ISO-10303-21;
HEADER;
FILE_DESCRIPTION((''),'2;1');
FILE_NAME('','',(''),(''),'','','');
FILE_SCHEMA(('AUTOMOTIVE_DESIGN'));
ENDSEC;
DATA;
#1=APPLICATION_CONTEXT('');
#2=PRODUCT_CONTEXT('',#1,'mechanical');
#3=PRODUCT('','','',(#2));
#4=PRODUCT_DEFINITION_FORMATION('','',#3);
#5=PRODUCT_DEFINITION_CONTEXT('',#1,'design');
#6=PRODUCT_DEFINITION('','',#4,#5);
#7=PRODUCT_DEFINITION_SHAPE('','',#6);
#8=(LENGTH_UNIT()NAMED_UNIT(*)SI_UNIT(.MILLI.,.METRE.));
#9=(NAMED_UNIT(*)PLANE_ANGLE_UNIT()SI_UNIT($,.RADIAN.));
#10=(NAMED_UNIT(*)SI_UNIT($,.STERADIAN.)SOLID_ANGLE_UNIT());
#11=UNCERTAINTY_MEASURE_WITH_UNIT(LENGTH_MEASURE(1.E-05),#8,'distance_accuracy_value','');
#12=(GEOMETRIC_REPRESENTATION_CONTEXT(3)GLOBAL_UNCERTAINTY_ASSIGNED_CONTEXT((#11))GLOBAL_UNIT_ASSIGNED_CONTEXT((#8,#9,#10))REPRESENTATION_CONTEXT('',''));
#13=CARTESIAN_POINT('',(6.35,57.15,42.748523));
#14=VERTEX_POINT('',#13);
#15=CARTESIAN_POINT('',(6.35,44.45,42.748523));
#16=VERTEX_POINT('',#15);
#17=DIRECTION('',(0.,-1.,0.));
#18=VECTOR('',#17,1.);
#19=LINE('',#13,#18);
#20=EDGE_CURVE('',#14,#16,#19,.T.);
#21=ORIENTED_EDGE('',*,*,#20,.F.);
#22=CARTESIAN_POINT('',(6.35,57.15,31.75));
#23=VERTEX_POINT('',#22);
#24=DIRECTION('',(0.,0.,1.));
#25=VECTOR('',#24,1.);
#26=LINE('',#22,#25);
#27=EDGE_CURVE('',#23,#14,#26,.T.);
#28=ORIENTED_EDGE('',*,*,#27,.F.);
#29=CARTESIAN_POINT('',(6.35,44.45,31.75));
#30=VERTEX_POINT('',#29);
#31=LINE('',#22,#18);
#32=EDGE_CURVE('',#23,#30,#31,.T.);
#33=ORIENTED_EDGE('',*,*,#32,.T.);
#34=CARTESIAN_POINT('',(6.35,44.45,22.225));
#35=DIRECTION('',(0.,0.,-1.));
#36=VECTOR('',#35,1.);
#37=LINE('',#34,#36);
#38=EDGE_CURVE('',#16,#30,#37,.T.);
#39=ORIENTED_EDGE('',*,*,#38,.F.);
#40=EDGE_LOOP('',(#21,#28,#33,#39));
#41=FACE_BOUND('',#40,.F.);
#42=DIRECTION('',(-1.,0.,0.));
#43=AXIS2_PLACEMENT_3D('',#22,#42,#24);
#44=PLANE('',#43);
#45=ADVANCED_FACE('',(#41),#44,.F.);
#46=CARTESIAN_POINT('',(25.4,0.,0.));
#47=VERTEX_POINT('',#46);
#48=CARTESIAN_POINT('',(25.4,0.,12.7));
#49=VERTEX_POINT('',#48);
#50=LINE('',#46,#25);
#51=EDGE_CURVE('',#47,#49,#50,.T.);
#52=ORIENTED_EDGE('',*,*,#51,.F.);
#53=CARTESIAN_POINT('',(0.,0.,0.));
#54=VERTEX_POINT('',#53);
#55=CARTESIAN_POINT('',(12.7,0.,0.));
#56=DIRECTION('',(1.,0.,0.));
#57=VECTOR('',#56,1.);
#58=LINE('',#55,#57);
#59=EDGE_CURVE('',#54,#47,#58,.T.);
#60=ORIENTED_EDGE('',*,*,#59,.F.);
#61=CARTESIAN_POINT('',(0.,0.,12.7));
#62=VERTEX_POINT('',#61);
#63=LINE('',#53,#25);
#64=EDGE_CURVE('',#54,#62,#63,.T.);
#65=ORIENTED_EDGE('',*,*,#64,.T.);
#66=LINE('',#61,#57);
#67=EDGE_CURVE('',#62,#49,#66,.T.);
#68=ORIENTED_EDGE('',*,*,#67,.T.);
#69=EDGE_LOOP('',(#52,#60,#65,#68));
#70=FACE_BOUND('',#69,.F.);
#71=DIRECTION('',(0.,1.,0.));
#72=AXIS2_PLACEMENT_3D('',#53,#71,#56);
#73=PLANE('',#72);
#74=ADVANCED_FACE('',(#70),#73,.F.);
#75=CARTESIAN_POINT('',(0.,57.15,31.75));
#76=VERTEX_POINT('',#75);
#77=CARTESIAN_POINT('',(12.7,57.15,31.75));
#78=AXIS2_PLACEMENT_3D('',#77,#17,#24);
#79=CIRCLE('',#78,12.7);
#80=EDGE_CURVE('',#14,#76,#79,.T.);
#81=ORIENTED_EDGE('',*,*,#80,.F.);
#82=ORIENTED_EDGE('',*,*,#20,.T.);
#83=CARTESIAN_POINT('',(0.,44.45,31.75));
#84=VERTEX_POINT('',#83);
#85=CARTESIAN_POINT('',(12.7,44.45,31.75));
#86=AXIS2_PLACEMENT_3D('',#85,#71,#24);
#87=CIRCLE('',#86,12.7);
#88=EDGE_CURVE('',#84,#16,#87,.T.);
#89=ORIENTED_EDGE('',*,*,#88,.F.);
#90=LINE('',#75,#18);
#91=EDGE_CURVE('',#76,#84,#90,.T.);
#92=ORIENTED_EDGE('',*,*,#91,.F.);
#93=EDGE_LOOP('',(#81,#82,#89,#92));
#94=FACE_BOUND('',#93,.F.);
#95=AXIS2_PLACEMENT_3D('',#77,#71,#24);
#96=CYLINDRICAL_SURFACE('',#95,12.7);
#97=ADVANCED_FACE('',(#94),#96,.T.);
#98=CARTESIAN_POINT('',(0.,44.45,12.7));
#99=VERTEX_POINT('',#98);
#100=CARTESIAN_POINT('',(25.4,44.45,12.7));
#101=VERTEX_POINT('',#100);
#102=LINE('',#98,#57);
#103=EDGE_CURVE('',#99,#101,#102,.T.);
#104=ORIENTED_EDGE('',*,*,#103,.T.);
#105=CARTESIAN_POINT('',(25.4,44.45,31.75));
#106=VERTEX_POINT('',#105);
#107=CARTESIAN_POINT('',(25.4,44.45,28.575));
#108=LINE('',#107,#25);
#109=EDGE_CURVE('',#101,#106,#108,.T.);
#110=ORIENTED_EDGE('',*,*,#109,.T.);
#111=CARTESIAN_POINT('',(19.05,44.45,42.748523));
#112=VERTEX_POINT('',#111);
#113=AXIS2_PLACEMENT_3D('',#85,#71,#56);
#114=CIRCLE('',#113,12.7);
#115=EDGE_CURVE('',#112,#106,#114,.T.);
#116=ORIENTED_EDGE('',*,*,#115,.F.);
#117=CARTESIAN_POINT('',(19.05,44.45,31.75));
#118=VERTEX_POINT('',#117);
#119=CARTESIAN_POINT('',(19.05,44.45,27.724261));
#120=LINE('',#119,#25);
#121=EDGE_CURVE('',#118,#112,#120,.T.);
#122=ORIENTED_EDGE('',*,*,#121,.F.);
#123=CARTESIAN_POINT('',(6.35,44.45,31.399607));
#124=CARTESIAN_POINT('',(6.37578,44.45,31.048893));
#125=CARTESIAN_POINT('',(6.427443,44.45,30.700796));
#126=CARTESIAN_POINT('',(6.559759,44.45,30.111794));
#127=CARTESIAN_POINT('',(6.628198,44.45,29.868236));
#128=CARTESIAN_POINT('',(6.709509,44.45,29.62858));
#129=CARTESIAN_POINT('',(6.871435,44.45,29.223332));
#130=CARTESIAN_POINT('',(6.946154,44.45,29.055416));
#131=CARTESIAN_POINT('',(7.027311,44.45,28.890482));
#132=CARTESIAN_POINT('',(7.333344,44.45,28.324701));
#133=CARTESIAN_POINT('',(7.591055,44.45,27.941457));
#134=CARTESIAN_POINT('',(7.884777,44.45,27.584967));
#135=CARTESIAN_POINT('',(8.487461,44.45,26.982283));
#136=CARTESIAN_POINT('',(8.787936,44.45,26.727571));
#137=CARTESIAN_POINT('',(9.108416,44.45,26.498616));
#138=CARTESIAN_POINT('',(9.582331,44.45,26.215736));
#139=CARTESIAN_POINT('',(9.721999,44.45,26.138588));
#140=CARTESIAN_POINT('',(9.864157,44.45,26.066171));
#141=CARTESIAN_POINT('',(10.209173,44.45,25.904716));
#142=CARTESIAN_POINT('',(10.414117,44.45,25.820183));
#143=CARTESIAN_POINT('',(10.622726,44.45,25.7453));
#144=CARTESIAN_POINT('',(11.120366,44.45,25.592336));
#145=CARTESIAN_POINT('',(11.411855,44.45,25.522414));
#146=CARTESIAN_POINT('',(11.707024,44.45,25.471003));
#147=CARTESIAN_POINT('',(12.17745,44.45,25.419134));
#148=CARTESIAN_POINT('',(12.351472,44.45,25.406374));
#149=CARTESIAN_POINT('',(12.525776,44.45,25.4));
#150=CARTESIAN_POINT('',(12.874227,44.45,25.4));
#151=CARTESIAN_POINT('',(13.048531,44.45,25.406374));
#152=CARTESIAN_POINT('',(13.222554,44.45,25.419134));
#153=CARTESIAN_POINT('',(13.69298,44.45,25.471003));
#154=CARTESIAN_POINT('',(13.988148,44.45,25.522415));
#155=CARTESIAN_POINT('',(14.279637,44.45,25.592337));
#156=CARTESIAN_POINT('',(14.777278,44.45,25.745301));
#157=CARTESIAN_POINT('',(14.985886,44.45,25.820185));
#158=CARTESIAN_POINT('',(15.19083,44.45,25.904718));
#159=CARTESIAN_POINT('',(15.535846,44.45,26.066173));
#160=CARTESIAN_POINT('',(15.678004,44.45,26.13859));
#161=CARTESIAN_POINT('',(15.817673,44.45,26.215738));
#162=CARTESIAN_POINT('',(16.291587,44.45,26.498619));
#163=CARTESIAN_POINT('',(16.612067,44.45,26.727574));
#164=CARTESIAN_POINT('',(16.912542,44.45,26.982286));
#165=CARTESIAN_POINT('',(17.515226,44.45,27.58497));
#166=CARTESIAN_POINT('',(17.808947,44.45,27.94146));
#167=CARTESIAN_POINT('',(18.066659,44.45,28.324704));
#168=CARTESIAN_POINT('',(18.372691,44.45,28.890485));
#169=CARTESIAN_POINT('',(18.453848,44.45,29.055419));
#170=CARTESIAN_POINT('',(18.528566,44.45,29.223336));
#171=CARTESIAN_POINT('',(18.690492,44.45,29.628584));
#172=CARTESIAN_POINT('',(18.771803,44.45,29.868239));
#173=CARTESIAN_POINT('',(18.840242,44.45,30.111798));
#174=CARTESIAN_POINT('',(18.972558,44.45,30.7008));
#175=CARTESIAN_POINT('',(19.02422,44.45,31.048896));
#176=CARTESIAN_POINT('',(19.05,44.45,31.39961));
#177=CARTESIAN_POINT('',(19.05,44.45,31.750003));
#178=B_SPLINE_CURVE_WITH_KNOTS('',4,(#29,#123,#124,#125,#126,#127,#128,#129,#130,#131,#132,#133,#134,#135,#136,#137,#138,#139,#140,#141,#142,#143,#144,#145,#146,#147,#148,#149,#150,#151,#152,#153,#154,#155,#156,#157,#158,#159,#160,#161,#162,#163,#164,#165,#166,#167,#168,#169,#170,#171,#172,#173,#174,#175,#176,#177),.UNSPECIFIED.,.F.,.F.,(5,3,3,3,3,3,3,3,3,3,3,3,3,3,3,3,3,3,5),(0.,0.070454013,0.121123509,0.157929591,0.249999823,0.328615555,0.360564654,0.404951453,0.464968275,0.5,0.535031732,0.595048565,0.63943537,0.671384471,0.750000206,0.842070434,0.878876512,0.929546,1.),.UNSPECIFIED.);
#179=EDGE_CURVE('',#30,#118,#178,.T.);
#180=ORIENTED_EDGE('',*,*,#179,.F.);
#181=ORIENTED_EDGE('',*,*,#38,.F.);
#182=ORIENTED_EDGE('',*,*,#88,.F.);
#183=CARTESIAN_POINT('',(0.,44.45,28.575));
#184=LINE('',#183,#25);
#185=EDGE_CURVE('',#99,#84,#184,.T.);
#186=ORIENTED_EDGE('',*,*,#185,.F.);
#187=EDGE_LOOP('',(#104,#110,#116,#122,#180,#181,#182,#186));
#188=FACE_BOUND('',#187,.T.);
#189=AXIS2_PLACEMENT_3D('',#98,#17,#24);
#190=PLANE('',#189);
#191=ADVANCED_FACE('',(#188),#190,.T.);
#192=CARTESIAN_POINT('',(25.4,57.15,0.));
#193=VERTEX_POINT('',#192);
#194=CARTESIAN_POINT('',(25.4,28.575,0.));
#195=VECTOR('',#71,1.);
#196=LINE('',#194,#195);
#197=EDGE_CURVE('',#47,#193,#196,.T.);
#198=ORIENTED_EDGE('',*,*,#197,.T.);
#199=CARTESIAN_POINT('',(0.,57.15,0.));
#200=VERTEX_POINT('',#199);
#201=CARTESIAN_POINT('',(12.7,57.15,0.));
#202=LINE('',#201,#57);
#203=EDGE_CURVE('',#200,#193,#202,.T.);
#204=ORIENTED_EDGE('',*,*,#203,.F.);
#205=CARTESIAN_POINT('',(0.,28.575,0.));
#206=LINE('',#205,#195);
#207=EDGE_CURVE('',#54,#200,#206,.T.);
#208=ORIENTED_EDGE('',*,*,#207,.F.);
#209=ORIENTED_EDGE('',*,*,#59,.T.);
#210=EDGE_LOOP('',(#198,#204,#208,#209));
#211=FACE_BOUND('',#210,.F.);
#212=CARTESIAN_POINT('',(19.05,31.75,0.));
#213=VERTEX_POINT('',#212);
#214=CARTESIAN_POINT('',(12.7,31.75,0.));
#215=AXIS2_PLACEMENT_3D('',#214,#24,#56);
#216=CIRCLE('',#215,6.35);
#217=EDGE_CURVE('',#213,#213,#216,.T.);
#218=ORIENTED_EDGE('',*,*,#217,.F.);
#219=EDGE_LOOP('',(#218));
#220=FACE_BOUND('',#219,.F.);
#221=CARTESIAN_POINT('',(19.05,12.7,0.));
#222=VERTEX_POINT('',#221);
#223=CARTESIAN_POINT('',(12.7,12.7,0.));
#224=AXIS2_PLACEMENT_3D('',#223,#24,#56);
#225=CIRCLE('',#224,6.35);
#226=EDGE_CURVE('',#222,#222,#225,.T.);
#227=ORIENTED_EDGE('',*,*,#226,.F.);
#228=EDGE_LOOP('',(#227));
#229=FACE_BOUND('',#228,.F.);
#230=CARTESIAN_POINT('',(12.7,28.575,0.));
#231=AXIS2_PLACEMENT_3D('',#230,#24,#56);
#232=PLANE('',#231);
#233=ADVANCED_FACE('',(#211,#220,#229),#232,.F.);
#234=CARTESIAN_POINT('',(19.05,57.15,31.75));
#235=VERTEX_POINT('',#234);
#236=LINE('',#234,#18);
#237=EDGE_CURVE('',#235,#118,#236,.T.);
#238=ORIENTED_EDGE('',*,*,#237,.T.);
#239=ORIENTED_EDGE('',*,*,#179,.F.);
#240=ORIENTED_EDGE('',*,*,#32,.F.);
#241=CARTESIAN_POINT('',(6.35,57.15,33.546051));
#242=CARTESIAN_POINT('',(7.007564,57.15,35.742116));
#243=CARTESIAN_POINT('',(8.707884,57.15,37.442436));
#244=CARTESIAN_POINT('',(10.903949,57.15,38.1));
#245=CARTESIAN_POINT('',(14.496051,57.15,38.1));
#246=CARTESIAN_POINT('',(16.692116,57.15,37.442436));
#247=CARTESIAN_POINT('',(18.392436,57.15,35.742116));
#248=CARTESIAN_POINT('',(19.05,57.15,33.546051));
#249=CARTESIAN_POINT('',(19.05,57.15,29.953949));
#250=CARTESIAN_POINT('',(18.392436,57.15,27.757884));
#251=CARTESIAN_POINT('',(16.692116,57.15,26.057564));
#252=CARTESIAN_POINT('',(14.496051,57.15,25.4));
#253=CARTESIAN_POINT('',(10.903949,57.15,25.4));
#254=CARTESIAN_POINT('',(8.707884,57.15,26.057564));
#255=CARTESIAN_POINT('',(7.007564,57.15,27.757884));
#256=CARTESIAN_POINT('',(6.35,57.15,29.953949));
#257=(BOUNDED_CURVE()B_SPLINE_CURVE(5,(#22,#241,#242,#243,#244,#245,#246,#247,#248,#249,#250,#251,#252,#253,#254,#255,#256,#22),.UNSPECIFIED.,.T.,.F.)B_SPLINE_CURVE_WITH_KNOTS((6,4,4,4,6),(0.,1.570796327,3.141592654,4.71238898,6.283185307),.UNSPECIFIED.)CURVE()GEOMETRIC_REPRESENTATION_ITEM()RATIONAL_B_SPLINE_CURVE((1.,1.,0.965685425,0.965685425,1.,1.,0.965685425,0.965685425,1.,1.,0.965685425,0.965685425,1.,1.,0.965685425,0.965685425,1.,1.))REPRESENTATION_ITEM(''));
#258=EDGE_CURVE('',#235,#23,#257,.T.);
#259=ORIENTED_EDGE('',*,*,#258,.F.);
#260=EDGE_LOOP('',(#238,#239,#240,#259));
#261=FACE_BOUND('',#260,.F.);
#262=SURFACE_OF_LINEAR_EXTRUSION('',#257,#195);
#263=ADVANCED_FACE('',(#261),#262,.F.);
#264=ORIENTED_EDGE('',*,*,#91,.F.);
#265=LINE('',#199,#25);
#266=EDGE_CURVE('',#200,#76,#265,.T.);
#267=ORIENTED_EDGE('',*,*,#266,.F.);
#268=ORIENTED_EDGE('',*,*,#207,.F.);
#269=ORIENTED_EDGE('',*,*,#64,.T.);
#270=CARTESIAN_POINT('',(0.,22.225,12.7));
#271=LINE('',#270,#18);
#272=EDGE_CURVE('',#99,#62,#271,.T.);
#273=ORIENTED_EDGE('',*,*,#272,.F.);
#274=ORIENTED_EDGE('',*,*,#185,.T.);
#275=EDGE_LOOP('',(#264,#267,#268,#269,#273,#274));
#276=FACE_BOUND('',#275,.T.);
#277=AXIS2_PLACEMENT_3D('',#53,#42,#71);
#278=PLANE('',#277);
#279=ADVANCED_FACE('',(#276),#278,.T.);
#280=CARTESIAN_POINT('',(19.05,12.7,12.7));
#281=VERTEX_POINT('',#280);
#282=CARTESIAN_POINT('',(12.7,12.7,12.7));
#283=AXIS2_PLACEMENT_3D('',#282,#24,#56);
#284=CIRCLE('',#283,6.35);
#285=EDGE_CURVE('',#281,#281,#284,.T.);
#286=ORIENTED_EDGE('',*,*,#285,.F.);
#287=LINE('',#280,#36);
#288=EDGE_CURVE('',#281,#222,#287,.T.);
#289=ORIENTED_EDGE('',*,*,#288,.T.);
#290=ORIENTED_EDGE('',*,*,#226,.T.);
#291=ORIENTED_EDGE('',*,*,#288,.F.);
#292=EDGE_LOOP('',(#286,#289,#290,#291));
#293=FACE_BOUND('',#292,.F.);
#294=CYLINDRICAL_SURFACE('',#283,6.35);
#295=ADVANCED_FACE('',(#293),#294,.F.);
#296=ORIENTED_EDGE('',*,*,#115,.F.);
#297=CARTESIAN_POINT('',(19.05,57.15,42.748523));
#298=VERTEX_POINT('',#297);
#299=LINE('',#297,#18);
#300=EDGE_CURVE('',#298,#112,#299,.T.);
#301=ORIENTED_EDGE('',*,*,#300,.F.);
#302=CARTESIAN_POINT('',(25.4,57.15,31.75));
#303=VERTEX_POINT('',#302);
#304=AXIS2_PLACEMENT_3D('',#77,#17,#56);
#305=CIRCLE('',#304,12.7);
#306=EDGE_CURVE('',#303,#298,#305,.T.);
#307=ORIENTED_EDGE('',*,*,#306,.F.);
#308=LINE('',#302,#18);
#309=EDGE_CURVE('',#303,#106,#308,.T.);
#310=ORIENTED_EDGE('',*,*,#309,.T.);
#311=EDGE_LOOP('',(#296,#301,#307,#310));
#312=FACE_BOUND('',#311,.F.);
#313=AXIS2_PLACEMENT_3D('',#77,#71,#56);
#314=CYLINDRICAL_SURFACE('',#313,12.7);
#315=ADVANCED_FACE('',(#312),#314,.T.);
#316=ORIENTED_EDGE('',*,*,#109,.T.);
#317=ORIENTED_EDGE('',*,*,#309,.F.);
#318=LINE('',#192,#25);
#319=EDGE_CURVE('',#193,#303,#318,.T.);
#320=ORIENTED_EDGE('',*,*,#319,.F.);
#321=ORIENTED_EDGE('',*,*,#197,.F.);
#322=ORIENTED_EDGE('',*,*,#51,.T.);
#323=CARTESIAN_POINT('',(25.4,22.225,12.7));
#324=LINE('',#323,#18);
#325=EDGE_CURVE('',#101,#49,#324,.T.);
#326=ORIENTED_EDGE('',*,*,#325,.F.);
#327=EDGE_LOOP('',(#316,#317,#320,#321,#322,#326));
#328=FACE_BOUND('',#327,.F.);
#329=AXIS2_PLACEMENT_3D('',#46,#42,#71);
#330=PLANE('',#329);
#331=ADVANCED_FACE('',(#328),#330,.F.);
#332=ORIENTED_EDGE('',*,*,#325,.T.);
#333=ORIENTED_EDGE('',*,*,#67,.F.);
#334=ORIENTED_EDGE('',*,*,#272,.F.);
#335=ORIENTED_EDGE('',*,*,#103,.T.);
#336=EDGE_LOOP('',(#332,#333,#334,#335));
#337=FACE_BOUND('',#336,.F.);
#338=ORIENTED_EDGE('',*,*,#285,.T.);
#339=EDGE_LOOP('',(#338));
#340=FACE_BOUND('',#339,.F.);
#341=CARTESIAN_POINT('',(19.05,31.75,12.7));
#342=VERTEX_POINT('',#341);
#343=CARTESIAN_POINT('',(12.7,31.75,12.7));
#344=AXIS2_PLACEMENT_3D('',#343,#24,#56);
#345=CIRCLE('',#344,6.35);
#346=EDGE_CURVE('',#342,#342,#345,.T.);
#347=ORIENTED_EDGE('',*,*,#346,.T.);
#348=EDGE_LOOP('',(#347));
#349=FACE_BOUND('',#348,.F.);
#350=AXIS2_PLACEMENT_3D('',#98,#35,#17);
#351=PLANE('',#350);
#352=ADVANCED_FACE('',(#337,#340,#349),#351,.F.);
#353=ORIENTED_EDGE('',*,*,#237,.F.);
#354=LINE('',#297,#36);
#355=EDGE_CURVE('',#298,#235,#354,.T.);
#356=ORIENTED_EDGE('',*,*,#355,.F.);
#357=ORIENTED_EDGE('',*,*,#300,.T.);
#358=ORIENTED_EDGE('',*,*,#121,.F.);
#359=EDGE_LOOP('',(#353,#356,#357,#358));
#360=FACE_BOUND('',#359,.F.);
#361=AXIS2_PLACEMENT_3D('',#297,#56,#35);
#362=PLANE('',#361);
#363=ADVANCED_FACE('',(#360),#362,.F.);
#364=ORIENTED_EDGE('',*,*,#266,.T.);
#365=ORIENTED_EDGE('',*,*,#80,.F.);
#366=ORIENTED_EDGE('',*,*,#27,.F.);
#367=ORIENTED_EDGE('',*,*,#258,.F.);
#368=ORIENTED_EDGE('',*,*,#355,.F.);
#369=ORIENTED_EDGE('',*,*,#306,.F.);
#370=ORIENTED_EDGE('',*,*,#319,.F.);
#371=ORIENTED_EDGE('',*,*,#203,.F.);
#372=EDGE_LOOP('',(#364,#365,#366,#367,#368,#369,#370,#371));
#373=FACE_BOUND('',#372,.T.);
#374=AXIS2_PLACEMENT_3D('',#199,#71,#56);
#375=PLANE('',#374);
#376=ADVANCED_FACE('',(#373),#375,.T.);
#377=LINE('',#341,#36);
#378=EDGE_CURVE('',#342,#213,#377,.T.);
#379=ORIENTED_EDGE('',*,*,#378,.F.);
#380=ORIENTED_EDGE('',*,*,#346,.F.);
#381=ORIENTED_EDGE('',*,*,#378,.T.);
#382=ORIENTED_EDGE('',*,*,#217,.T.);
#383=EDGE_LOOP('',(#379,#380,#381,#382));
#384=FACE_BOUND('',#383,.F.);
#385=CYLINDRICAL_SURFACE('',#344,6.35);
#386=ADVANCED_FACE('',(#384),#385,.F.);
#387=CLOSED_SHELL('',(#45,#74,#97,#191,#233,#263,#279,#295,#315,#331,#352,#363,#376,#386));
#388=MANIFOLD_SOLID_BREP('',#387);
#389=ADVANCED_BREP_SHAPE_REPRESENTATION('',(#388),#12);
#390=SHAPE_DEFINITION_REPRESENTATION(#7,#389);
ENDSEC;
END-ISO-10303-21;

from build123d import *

# Parameters (mm, degrees)
F0_W     = 25.4
F0_H     = 57.15
F1_DEPTH = 44.45
F2_W     = 44.45
F2_H     = 31.75
F3_DEPTH = 25.4
F5_DEPTH = 25.4
F7_DEPTH = 25.4
F8_R     = 6.35
F9_DEPTH = 25.4


with BuildPart() as f1:
    # F0 (on Top) → F1 (new body)
    with BuildSketch(Plane.XY):
        with Locations((12.7, 28.575)):
            Rectangle(F0_W, F0_H)
    extrude(amount=F1_DEPTH)

    # F2 (on face) → F3 (cut)
    with BuildSketch(Plane(origin=(0, 0, 0), x_dir=(0, -1, 0), z_dir=(-1, 0, 0))):
        with Locations((-22.225, 28.575)):
            Rectangle(F2_W, F2_H)
    extrude(amount=-F3_DEPTH, mode=Mode.SUBTRACT)

    # F4 (on face) → F5 (cut)
    with BuildSketch(Plane(origin=(0, 57.15, 0), x_dir=(-1, 0, 0), z_dir=(0, 1, 0))):
        with BuildLine():
            ThreePointArc((-25.4, 31.75), (-21.6802561211, 40.7302561211), (-12.7, 44.45))
            Line((-12.7, 44.45), (-25.4, 44.45))
            Line((-25.4, 44.45), (-25.4, 31.75))
        make_face()
        with BuildLine():
            ThreePointArc((-12.7, 44.45), (-3.7197438789, 40.7302561211), (0, 31.75))
            Line((0, 31.75), (0, 44.45))
            Line((0, 44.45), (-12.7, 44.45))
        make_face()
    extrude(amount=-F5_DEPTH, mode=Mode.SUBTRACT)

    # F6 (on face) → F7 (cut)
    with BuildSketch(Plane(origin=(0, 57.15, 0), x_dir=(-1, 0, 0), z_dir=(0, 1, 0))):
        with BuildLine():
            add(Edge.make_bspline(
                [(-6.35, 31.75), (-6.35, 38.1), (-12.7, 38.1), (-19.05, 38.1), (-19.05, 31.75)],
                knots=[0, 0, 0, 1.5707963268, 1.5707963268, 3.1415926536, 3.1415926536, 3.1415926536], degree=2, weights=[1, 0.7071067812, 1, 0.7071067812, 1]))
            Line((-6.35, 31.75), (-6.35, 42.7485226281))
            ThreePointArc((-6.35, 42.7485226281), (-12.7, 44.45), (-19.05, 42.7485226281))
            Line((-19.05, 42.7485226281), (-19.05, 31.75))
        make_face()
        with BuildLine():
            add(Edge.make_bspline(
                [(-19.05, 31.75), (-19.05, 25.4), (-12.7, 25.4), (-6.35, 25.4), (-6.35, 31.75)],
                knots=[3.1415926536, 3.1415926536, 3.1415926536, 4.7123889804, 4.7123889804, 6.2831853072, 6.2831853072, 6.2831853072], degree=2, weights=[1, 0.7071067812, 1, 0.7071067812, 1]))
            add(Edge.make_bspline(
                [(-6.35, 31.75), (-6.35, 38.1), (-12.7, 38.1), (-19.05, 38.1), (-19.05, 31.75)],
                knots=[0, 0, 0, 1.5707963268, 1.5707963268, 3.1415926536, 3.1415926536, 3.1415926536], degree=2, weights=[1, 0.7071067812, 1, 0.7071067812, 1]))
        make_face()
    extrude(amount=-F7_DEPTH, mode=Mode.SUBTRACT)

    # F8 (on face) → F9 (cut)
    with BuildSketch(Plane.XY.offset(12.7)):
        with Locations((12.7, 31.75)):
            Circle(F8_R)
        with Locations((12.7, 12.7)):
            Circle(F8_R)
    extrude(amount=-F9_DEPTH, mode=Mode.SUBTRACT)


solid = f1.part
